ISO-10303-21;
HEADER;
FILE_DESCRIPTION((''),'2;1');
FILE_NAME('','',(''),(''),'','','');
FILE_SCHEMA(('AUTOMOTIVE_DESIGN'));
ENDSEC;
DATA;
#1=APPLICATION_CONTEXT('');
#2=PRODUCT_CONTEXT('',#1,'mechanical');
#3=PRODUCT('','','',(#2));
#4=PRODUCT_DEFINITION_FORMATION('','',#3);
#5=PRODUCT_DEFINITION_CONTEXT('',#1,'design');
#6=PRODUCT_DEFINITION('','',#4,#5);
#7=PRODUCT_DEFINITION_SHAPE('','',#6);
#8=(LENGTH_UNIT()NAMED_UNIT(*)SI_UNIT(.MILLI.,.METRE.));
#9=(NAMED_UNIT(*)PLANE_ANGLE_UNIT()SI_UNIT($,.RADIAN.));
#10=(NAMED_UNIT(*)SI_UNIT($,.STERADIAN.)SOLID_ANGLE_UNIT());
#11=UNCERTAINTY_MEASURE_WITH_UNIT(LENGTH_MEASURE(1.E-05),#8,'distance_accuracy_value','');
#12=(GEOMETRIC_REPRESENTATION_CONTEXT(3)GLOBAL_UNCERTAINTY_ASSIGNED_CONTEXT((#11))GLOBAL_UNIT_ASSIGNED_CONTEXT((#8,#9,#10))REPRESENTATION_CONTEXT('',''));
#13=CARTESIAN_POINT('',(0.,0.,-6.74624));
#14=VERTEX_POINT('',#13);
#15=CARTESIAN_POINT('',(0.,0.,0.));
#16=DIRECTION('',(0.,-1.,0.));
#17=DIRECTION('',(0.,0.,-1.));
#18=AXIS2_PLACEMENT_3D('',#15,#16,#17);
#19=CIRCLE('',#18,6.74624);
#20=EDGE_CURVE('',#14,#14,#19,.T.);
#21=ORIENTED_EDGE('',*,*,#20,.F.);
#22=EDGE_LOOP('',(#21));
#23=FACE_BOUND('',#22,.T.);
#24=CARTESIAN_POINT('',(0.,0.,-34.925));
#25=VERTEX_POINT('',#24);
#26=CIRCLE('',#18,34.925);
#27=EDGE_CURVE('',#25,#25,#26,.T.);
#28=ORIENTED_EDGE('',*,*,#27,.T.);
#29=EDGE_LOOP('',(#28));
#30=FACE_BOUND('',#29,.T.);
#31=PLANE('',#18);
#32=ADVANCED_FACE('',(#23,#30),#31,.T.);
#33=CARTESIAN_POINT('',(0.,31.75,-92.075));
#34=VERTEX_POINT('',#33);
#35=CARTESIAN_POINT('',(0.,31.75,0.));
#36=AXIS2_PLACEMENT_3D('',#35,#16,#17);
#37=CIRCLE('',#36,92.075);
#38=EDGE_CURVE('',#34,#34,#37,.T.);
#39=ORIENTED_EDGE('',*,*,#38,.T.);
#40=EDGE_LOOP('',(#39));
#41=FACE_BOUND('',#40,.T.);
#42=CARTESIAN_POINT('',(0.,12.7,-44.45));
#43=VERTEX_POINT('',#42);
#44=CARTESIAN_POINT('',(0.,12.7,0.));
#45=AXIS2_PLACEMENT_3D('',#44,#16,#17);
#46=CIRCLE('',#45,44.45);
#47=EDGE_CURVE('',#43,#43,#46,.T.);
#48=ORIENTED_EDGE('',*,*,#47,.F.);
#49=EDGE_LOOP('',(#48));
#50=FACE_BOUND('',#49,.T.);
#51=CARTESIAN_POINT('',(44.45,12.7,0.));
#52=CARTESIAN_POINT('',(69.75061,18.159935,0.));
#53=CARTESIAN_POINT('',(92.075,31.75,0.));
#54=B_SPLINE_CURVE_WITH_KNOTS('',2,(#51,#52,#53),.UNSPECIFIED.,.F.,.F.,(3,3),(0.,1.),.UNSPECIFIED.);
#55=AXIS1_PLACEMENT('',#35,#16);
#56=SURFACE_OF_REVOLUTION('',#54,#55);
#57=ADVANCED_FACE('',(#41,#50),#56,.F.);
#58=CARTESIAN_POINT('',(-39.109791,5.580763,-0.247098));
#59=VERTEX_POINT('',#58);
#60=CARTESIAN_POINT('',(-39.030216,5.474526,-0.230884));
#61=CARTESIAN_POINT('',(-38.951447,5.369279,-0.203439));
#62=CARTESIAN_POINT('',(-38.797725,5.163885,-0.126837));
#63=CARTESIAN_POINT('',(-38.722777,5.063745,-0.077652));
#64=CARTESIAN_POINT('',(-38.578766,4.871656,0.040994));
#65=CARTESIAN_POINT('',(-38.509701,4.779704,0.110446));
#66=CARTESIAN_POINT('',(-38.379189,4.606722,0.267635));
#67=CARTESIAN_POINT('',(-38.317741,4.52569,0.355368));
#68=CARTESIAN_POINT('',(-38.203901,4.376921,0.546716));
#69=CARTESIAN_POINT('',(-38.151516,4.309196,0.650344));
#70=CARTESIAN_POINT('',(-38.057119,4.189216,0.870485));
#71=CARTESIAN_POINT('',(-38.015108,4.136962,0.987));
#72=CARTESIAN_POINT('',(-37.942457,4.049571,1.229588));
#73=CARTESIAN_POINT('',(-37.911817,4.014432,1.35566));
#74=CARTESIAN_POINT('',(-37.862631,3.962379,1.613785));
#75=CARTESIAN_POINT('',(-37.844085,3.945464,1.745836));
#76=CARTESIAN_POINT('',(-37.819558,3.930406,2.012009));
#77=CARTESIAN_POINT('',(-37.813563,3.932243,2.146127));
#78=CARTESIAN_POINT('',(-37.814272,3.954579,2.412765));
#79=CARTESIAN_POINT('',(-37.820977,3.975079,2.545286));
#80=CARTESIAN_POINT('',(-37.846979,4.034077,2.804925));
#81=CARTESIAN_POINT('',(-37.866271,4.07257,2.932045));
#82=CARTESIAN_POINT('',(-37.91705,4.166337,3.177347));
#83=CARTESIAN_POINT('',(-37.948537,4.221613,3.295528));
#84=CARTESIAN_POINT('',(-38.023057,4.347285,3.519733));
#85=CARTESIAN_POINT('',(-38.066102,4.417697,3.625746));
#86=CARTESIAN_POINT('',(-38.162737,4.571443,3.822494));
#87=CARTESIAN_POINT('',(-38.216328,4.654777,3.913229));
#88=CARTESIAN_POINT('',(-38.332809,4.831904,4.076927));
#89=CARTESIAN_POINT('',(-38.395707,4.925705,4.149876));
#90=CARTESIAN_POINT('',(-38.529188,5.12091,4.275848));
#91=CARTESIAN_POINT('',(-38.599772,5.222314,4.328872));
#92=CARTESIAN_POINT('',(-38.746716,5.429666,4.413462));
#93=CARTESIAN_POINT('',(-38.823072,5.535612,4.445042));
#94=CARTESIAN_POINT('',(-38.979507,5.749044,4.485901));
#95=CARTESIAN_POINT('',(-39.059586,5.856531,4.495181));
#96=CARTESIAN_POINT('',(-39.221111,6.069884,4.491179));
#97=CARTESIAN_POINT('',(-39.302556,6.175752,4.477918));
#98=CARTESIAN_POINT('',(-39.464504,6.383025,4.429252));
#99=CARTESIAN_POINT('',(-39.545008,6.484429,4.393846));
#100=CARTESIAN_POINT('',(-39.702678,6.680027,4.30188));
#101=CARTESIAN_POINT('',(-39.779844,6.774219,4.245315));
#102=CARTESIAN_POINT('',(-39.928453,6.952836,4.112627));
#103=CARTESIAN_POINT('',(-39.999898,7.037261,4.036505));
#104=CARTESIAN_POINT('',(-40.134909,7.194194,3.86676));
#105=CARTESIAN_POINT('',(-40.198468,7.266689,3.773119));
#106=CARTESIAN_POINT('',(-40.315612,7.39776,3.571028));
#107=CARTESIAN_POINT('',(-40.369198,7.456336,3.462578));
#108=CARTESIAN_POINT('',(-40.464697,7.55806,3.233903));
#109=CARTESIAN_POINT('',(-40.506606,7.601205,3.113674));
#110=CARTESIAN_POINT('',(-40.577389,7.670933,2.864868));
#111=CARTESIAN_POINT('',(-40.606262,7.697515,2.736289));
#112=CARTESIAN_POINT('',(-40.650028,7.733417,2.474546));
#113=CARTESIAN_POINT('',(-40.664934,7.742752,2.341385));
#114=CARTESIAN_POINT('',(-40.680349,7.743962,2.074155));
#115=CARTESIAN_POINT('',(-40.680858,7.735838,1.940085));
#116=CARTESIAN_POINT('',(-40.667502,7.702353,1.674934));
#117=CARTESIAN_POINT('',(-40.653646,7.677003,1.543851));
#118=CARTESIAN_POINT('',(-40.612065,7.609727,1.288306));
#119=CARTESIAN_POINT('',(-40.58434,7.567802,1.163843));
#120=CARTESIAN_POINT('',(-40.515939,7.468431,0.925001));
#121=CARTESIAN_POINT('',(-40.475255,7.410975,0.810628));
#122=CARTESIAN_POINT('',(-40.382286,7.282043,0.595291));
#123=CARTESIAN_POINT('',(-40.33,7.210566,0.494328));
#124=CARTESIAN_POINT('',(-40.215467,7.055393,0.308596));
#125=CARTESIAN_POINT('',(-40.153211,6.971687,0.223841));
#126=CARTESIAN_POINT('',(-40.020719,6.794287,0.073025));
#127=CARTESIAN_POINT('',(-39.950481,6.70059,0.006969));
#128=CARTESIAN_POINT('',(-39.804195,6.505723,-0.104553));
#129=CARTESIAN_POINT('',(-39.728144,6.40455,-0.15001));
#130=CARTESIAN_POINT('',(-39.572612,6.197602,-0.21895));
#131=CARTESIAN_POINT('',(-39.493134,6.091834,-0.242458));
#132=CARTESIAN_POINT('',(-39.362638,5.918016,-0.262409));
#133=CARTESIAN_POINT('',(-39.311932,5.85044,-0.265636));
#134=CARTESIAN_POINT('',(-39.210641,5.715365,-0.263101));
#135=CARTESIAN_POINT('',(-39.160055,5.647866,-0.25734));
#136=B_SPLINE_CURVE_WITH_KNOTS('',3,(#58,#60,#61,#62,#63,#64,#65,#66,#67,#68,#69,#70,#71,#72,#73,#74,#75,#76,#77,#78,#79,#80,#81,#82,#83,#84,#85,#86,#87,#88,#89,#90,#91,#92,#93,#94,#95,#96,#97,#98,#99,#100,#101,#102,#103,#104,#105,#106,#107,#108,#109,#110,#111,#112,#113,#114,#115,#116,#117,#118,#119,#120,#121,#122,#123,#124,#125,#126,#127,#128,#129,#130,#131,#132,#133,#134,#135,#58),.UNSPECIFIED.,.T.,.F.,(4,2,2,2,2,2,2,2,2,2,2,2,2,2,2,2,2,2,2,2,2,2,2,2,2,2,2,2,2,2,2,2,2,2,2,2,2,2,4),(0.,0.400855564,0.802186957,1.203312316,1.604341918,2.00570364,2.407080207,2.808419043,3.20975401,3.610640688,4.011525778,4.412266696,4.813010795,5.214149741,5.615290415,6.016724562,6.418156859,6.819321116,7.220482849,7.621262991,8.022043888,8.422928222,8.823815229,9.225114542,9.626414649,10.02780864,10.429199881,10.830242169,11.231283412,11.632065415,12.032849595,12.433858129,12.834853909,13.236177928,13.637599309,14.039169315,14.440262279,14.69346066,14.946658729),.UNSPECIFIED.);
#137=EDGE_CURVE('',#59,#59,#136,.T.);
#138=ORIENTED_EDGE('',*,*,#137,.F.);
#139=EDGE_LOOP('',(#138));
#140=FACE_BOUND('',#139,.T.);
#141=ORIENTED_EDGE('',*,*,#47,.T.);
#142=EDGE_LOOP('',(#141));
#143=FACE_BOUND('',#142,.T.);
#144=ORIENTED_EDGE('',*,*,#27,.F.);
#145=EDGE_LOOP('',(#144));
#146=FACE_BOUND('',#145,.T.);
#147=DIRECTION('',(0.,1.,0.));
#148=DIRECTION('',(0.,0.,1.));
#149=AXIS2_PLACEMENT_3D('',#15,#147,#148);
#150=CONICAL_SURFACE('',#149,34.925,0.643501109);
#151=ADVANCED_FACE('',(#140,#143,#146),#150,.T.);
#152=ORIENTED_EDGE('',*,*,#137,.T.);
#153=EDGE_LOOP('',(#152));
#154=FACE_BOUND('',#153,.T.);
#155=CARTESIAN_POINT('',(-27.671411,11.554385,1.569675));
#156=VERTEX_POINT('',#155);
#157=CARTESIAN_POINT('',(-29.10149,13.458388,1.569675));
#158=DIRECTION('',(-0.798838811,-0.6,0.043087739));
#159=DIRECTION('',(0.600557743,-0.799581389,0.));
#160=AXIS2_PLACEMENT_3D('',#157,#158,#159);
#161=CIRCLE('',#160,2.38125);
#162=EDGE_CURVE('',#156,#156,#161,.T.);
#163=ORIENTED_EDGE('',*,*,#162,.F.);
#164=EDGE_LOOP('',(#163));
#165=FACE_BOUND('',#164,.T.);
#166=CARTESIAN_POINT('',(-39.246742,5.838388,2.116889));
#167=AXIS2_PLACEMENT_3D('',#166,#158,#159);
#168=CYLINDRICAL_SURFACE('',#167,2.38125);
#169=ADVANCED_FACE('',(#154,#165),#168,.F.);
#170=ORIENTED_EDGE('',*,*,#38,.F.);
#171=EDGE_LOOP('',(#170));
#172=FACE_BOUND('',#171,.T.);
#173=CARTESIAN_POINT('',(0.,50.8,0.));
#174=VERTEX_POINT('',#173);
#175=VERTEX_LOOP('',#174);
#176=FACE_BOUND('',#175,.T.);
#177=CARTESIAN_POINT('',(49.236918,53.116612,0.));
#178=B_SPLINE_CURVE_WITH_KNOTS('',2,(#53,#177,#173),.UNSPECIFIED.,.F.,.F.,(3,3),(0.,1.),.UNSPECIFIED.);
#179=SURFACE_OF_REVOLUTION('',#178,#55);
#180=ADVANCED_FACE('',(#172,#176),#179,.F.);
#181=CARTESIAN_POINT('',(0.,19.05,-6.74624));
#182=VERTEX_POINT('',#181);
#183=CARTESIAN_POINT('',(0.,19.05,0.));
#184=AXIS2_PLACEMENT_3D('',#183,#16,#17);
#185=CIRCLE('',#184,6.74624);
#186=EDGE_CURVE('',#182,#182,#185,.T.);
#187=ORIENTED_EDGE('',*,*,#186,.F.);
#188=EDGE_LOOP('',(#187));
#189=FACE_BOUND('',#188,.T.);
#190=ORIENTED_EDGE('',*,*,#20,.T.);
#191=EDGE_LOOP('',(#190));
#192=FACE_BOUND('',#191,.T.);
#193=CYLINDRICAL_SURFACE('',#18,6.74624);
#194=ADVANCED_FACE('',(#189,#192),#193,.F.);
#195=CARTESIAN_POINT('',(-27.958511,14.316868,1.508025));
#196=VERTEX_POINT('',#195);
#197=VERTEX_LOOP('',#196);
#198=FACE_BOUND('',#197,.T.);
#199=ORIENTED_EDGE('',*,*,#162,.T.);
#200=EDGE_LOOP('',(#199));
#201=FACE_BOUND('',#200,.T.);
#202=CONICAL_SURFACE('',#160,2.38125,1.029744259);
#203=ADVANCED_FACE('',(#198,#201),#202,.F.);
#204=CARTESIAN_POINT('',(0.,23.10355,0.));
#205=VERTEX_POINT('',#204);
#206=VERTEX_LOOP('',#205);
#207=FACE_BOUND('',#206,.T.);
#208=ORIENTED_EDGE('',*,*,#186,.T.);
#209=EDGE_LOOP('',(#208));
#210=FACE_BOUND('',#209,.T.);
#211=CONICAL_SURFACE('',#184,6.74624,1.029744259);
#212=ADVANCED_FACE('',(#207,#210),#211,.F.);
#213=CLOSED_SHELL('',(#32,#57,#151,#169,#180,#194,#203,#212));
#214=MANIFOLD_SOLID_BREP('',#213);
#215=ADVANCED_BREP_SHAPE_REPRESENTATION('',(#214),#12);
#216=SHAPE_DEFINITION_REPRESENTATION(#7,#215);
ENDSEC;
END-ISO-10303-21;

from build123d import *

# Parameters (mm, degrees)
F_5_8_11_TAPPED_HOLE1_D            = 13.49248
F_5_8_11_TAPPED_HOLE1_DEPTH        = 19.05
F_5_8_11_TAPPED_HOLE1_TIP          = 4.053549943
F_3_16_0_1875_DIAMETER_HOLE1_D     = 4.7625
F_3_16_0_1875_DIAMETER_HOLE1_DEPTH = 12.7
F_3_16_0_1875_DIAMETER_HOLE1_TIP   = 1.430799349


with BuildPart() as part:
    # Sketch1 → Revolve1 (revolve)
    with BuildSketch(Plane.XY):
        with BuildLine():
            Line((0, 0), (34.925, 0))
            Line((34.925, 0), (44.45, 12.7))
            add(Edge.make_bspline(
                [(44.45, 12.7), (69.750610432, 18.159935057), (92.075, 31.75)],
                knots=[0, 0, 0, 1, 1, 1], degree=2))
            add(Edge.make_bspline(
                [(92.075, 31.75), (49.236918404, 53.116611797), (0, 50.8)],
                knots=[0, 0, 0, 1, 1, 1], degree=2))
            Line((0, 50.8), (0, 31.75))
            Line((0, 31.75), (0, 12.7))
            Line((0, 12.7), (0, 0))
        make_face()
    revolve(axis=Axis((0, 31.75, 0), (0, 1, 0)))

    # 5/8-11 Tapped Hole1
    with Locations(Plane(origin=(0, 0, 0), x_dir=(-1, 0, 0), z_dir=(0, -1, 0))):
        with Locations((0, 0)):
            Hole(F_5_8_11_TAPPED_HOLE1_D / 2, depth=F_5_8_11_TAPPED_HOLE1_DEPTH)
            with Locations((0, 0, -(F_5_8_11_TAPPED_HOLE1_DEPTH + F_5_8_11_TAPPED_HOLE1_TIP / 2))):  # 118° drill point
                Cone(0, F_5_8_11_TAPPED_HOLE1_D / 2, F_5_8_11_TAPPED_HOLE1_TIP, mode=Mode.SUBTRACT)

    # 3/16 (0.1875) Diameter Hole1
    with Locations(Plane(origin=(-39.246742436, 5.838388433, 2.116889387), x_dir=(0.600557743, -0.799581389, 0), z_dir=(-0.798838811, -0.6, 0.043087739))):
        with Locations((0, 0)):
            Hole(F_3_16_0_1875_DIAMETER_HOLE1_D / 2, depth=F_3_16_0_1875_DIAMETER_HOLE1_DEPTH)
            with Locations((0, 0, -(F_3_16_0_1875_DIAMETER_HOLE1_DEPTH + F_3_16_0_1875_DIAMETER_HOLE1_TIP / 2))):  # 118° drill point
                Cone(0, F_3_16_0_1875_DIAMETER_HOLE1_D / 2, F_3_16_0_1875_DIAMETER_HOLE1_TIP, mode=Mode.SUBTRACT)


solid = part.part
